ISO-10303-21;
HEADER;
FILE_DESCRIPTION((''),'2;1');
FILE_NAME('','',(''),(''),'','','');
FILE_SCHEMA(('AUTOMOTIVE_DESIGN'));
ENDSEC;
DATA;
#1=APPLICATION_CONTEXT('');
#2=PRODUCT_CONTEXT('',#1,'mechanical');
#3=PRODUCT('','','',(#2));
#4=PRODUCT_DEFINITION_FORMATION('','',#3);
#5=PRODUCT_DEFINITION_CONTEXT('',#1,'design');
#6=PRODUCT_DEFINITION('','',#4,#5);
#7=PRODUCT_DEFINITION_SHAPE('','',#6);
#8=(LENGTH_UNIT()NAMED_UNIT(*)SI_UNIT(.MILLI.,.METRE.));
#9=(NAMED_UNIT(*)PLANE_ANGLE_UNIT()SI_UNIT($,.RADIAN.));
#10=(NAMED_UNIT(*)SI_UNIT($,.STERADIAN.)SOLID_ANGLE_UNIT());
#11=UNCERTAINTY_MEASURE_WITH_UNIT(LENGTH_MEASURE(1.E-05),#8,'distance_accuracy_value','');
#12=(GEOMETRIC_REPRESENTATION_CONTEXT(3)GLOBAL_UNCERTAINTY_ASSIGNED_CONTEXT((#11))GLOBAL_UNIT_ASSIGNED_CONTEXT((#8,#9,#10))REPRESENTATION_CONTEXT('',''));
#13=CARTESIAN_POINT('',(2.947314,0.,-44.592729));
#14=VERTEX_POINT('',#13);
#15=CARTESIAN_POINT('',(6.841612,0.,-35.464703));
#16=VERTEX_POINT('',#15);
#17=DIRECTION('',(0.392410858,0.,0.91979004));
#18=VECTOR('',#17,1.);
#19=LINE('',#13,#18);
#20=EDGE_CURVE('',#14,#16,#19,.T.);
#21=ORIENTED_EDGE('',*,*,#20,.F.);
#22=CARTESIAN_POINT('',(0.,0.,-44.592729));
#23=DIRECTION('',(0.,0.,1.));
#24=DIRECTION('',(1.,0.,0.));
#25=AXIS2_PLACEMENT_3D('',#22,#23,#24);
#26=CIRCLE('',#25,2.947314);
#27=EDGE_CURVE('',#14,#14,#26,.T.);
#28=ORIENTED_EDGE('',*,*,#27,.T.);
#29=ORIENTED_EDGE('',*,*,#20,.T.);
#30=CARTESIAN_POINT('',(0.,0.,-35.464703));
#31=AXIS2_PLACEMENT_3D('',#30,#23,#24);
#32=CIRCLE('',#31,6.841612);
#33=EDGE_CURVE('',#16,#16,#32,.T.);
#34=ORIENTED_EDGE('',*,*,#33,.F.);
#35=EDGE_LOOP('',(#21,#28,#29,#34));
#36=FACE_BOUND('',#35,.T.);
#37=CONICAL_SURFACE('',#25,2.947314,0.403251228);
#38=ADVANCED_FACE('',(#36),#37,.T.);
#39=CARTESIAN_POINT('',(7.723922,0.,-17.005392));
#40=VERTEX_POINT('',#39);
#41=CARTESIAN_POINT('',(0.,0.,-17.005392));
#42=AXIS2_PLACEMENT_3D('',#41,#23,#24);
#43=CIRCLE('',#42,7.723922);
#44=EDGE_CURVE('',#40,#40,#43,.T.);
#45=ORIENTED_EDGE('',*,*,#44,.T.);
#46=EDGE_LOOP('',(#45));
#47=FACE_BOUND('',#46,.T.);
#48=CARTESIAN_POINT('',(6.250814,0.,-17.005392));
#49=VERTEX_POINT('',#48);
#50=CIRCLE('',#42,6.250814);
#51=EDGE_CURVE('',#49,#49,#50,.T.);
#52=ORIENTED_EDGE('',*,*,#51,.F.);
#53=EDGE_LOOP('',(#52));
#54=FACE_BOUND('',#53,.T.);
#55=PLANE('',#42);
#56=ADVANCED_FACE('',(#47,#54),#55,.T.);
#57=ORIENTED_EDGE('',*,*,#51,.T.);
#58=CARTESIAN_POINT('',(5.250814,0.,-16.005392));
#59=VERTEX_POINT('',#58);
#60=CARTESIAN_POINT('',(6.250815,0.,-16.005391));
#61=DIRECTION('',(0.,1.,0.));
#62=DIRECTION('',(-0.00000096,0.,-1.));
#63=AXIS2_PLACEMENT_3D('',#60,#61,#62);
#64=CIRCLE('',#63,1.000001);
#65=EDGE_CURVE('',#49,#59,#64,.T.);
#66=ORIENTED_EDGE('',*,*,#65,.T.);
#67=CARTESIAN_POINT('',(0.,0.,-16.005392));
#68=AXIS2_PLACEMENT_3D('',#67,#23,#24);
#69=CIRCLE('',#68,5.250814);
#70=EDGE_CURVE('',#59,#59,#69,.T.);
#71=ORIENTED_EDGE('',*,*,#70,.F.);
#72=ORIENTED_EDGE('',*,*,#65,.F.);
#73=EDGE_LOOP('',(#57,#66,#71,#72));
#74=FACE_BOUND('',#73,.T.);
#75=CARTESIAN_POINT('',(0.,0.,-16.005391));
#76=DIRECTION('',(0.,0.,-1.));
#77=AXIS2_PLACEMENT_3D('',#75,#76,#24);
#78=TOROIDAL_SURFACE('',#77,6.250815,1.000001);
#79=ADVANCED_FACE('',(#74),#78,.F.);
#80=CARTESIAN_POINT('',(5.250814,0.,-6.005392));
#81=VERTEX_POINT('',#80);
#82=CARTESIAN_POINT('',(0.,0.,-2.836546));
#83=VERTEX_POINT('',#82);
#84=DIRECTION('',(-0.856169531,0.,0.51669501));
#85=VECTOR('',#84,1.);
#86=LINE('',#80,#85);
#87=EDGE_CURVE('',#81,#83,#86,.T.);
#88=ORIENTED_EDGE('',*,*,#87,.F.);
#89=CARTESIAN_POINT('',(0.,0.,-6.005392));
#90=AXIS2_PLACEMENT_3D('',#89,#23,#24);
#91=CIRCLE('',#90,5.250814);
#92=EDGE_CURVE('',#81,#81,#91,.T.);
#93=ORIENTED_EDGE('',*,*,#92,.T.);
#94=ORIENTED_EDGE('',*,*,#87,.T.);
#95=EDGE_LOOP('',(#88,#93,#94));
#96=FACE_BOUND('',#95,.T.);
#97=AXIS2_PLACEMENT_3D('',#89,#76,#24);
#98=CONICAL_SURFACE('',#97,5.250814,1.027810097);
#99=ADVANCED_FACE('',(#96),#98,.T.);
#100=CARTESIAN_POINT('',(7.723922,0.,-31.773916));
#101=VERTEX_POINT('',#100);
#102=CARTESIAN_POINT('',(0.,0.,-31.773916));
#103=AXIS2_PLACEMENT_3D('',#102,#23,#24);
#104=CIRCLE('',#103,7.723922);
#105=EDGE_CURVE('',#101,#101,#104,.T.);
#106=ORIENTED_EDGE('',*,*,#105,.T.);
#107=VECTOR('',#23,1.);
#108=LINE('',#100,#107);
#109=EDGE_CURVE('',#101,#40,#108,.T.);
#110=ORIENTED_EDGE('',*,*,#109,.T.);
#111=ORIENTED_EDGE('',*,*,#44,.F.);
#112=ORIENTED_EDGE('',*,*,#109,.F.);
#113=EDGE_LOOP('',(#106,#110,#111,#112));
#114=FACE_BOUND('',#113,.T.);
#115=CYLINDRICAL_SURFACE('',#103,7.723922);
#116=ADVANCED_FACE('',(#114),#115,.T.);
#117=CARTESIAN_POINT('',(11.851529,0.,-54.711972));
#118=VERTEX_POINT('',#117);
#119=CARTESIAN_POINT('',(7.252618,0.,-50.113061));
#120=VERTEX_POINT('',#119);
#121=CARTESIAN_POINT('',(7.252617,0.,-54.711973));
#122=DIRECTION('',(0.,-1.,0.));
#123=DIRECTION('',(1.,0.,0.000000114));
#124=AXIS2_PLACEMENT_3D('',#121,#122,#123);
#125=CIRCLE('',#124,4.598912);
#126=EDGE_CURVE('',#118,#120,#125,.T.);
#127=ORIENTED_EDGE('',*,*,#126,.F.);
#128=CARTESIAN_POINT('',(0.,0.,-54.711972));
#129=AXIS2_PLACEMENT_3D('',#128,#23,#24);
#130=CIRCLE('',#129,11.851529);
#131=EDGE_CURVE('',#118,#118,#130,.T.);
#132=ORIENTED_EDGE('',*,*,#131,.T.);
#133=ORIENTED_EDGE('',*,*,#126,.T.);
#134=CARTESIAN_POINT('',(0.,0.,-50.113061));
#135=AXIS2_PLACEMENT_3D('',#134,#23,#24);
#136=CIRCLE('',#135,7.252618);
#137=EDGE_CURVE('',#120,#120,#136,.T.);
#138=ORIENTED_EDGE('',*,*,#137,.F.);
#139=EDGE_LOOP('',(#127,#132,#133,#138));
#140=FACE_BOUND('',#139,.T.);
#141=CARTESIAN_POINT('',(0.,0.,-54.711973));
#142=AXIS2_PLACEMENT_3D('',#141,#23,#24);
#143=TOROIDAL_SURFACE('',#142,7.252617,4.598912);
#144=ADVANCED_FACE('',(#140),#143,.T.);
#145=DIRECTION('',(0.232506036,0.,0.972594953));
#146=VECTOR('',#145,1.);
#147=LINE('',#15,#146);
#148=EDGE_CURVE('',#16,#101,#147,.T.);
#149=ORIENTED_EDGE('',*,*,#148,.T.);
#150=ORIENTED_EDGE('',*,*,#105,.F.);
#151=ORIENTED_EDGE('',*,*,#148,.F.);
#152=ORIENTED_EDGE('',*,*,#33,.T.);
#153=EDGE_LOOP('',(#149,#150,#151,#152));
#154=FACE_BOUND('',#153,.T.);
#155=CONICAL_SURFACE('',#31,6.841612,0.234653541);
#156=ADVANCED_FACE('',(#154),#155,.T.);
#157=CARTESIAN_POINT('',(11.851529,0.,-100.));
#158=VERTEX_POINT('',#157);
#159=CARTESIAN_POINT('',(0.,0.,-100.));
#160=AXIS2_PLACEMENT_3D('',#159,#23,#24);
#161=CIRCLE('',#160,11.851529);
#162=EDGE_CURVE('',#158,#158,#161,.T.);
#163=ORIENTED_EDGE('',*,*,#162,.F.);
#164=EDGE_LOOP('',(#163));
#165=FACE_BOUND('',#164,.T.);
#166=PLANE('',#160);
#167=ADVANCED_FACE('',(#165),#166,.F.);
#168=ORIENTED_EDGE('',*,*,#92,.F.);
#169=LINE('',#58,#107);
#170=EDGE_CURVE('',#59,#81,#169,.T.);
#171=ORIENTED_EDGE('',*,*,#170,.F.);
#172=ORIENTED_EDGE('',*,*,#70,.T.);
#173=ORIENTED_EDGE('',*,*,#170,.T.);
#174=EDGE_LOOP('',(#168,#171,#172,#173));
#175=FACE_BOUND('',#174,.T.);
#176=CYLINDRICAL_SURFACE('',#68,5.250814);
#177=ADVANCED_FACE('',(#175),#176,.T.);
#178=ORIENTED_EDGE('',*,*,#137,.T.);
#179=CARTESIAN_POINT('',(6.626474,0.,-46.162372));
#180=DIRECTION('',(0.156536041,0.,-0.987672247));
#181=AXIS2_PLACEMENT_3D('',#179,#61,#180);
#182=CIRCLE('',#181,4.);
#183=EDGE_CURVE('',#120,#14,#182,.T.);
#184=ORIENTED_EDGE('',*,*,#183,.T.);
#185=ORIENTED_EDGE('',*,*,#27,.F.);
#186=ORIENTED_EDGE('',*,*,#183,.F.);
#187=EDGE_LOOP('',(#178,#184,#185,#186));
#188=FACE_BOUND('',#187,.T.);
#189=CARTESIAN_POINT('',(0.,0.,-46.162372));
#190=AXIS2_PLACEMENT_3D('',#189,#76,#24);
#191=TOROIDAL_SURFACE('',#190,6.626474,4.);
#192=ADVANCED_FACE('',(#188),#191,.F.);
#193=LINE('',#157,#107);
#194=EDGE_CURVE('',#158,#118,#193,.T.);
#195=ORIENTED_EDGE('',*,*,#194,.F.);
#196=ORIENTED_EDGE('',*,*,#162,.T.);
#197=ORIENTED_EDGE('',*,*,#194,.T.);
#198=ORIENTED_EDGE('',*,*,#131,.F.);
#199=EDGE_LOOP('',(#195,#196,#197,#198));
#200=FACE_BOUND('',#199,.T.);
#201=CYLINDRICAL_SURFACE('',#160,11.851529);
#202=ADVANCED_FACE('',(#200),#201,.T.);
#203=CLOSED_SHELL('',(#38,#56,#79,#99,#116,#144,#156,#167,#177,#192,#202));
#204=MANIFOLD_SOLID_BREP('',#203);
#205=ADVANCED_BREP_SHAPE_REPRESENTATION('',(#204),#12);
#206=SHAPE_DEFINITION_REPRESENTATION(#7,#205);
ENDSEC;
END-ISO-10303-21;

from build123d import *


with BuildPart() as f1:
    # F0 (on Front) → F1 (revolve)
    with BuildSketch(Plane.XZ):
        with BuildLine():
            Line((5.250814, -16.005392), (5.250814, -6.005392))
            Line((5.250814, -6.005392), (0, -2.836546))
            Line((0, -2.836546), (0, -100))
            Line((0, -100), (11.851529, -100))
            Line((11.851529, -100), (11.851529, -54.711972))
            ThreePointArc((11.851529, -54.711972), (10.504539, -51.460051), (7.252618, -50.113061))
            ThreePointArc((7.252618, -50.113061), (3.472311, -48.622302), (2.947314, -44.592729))
            Line((2.947314, -44.592729), (6.841612, -35.464703))
            Line((6.841612, -35.464703), (7.723922, -31.773916))
            Line((7.723922, -31.773916), (7.723922, -17.005392))
            Line((7.723922, -17.005392), (6.250814, -17.005392))
            ThreePointArc((6.250814, -17.005392), (5.543708, -16.712499), (5.250814, -16.005392))
        make_face()
    revolve(axis=Axis((0, 0, -51.418273), (0, 0, 1)))


solid = f1.part
